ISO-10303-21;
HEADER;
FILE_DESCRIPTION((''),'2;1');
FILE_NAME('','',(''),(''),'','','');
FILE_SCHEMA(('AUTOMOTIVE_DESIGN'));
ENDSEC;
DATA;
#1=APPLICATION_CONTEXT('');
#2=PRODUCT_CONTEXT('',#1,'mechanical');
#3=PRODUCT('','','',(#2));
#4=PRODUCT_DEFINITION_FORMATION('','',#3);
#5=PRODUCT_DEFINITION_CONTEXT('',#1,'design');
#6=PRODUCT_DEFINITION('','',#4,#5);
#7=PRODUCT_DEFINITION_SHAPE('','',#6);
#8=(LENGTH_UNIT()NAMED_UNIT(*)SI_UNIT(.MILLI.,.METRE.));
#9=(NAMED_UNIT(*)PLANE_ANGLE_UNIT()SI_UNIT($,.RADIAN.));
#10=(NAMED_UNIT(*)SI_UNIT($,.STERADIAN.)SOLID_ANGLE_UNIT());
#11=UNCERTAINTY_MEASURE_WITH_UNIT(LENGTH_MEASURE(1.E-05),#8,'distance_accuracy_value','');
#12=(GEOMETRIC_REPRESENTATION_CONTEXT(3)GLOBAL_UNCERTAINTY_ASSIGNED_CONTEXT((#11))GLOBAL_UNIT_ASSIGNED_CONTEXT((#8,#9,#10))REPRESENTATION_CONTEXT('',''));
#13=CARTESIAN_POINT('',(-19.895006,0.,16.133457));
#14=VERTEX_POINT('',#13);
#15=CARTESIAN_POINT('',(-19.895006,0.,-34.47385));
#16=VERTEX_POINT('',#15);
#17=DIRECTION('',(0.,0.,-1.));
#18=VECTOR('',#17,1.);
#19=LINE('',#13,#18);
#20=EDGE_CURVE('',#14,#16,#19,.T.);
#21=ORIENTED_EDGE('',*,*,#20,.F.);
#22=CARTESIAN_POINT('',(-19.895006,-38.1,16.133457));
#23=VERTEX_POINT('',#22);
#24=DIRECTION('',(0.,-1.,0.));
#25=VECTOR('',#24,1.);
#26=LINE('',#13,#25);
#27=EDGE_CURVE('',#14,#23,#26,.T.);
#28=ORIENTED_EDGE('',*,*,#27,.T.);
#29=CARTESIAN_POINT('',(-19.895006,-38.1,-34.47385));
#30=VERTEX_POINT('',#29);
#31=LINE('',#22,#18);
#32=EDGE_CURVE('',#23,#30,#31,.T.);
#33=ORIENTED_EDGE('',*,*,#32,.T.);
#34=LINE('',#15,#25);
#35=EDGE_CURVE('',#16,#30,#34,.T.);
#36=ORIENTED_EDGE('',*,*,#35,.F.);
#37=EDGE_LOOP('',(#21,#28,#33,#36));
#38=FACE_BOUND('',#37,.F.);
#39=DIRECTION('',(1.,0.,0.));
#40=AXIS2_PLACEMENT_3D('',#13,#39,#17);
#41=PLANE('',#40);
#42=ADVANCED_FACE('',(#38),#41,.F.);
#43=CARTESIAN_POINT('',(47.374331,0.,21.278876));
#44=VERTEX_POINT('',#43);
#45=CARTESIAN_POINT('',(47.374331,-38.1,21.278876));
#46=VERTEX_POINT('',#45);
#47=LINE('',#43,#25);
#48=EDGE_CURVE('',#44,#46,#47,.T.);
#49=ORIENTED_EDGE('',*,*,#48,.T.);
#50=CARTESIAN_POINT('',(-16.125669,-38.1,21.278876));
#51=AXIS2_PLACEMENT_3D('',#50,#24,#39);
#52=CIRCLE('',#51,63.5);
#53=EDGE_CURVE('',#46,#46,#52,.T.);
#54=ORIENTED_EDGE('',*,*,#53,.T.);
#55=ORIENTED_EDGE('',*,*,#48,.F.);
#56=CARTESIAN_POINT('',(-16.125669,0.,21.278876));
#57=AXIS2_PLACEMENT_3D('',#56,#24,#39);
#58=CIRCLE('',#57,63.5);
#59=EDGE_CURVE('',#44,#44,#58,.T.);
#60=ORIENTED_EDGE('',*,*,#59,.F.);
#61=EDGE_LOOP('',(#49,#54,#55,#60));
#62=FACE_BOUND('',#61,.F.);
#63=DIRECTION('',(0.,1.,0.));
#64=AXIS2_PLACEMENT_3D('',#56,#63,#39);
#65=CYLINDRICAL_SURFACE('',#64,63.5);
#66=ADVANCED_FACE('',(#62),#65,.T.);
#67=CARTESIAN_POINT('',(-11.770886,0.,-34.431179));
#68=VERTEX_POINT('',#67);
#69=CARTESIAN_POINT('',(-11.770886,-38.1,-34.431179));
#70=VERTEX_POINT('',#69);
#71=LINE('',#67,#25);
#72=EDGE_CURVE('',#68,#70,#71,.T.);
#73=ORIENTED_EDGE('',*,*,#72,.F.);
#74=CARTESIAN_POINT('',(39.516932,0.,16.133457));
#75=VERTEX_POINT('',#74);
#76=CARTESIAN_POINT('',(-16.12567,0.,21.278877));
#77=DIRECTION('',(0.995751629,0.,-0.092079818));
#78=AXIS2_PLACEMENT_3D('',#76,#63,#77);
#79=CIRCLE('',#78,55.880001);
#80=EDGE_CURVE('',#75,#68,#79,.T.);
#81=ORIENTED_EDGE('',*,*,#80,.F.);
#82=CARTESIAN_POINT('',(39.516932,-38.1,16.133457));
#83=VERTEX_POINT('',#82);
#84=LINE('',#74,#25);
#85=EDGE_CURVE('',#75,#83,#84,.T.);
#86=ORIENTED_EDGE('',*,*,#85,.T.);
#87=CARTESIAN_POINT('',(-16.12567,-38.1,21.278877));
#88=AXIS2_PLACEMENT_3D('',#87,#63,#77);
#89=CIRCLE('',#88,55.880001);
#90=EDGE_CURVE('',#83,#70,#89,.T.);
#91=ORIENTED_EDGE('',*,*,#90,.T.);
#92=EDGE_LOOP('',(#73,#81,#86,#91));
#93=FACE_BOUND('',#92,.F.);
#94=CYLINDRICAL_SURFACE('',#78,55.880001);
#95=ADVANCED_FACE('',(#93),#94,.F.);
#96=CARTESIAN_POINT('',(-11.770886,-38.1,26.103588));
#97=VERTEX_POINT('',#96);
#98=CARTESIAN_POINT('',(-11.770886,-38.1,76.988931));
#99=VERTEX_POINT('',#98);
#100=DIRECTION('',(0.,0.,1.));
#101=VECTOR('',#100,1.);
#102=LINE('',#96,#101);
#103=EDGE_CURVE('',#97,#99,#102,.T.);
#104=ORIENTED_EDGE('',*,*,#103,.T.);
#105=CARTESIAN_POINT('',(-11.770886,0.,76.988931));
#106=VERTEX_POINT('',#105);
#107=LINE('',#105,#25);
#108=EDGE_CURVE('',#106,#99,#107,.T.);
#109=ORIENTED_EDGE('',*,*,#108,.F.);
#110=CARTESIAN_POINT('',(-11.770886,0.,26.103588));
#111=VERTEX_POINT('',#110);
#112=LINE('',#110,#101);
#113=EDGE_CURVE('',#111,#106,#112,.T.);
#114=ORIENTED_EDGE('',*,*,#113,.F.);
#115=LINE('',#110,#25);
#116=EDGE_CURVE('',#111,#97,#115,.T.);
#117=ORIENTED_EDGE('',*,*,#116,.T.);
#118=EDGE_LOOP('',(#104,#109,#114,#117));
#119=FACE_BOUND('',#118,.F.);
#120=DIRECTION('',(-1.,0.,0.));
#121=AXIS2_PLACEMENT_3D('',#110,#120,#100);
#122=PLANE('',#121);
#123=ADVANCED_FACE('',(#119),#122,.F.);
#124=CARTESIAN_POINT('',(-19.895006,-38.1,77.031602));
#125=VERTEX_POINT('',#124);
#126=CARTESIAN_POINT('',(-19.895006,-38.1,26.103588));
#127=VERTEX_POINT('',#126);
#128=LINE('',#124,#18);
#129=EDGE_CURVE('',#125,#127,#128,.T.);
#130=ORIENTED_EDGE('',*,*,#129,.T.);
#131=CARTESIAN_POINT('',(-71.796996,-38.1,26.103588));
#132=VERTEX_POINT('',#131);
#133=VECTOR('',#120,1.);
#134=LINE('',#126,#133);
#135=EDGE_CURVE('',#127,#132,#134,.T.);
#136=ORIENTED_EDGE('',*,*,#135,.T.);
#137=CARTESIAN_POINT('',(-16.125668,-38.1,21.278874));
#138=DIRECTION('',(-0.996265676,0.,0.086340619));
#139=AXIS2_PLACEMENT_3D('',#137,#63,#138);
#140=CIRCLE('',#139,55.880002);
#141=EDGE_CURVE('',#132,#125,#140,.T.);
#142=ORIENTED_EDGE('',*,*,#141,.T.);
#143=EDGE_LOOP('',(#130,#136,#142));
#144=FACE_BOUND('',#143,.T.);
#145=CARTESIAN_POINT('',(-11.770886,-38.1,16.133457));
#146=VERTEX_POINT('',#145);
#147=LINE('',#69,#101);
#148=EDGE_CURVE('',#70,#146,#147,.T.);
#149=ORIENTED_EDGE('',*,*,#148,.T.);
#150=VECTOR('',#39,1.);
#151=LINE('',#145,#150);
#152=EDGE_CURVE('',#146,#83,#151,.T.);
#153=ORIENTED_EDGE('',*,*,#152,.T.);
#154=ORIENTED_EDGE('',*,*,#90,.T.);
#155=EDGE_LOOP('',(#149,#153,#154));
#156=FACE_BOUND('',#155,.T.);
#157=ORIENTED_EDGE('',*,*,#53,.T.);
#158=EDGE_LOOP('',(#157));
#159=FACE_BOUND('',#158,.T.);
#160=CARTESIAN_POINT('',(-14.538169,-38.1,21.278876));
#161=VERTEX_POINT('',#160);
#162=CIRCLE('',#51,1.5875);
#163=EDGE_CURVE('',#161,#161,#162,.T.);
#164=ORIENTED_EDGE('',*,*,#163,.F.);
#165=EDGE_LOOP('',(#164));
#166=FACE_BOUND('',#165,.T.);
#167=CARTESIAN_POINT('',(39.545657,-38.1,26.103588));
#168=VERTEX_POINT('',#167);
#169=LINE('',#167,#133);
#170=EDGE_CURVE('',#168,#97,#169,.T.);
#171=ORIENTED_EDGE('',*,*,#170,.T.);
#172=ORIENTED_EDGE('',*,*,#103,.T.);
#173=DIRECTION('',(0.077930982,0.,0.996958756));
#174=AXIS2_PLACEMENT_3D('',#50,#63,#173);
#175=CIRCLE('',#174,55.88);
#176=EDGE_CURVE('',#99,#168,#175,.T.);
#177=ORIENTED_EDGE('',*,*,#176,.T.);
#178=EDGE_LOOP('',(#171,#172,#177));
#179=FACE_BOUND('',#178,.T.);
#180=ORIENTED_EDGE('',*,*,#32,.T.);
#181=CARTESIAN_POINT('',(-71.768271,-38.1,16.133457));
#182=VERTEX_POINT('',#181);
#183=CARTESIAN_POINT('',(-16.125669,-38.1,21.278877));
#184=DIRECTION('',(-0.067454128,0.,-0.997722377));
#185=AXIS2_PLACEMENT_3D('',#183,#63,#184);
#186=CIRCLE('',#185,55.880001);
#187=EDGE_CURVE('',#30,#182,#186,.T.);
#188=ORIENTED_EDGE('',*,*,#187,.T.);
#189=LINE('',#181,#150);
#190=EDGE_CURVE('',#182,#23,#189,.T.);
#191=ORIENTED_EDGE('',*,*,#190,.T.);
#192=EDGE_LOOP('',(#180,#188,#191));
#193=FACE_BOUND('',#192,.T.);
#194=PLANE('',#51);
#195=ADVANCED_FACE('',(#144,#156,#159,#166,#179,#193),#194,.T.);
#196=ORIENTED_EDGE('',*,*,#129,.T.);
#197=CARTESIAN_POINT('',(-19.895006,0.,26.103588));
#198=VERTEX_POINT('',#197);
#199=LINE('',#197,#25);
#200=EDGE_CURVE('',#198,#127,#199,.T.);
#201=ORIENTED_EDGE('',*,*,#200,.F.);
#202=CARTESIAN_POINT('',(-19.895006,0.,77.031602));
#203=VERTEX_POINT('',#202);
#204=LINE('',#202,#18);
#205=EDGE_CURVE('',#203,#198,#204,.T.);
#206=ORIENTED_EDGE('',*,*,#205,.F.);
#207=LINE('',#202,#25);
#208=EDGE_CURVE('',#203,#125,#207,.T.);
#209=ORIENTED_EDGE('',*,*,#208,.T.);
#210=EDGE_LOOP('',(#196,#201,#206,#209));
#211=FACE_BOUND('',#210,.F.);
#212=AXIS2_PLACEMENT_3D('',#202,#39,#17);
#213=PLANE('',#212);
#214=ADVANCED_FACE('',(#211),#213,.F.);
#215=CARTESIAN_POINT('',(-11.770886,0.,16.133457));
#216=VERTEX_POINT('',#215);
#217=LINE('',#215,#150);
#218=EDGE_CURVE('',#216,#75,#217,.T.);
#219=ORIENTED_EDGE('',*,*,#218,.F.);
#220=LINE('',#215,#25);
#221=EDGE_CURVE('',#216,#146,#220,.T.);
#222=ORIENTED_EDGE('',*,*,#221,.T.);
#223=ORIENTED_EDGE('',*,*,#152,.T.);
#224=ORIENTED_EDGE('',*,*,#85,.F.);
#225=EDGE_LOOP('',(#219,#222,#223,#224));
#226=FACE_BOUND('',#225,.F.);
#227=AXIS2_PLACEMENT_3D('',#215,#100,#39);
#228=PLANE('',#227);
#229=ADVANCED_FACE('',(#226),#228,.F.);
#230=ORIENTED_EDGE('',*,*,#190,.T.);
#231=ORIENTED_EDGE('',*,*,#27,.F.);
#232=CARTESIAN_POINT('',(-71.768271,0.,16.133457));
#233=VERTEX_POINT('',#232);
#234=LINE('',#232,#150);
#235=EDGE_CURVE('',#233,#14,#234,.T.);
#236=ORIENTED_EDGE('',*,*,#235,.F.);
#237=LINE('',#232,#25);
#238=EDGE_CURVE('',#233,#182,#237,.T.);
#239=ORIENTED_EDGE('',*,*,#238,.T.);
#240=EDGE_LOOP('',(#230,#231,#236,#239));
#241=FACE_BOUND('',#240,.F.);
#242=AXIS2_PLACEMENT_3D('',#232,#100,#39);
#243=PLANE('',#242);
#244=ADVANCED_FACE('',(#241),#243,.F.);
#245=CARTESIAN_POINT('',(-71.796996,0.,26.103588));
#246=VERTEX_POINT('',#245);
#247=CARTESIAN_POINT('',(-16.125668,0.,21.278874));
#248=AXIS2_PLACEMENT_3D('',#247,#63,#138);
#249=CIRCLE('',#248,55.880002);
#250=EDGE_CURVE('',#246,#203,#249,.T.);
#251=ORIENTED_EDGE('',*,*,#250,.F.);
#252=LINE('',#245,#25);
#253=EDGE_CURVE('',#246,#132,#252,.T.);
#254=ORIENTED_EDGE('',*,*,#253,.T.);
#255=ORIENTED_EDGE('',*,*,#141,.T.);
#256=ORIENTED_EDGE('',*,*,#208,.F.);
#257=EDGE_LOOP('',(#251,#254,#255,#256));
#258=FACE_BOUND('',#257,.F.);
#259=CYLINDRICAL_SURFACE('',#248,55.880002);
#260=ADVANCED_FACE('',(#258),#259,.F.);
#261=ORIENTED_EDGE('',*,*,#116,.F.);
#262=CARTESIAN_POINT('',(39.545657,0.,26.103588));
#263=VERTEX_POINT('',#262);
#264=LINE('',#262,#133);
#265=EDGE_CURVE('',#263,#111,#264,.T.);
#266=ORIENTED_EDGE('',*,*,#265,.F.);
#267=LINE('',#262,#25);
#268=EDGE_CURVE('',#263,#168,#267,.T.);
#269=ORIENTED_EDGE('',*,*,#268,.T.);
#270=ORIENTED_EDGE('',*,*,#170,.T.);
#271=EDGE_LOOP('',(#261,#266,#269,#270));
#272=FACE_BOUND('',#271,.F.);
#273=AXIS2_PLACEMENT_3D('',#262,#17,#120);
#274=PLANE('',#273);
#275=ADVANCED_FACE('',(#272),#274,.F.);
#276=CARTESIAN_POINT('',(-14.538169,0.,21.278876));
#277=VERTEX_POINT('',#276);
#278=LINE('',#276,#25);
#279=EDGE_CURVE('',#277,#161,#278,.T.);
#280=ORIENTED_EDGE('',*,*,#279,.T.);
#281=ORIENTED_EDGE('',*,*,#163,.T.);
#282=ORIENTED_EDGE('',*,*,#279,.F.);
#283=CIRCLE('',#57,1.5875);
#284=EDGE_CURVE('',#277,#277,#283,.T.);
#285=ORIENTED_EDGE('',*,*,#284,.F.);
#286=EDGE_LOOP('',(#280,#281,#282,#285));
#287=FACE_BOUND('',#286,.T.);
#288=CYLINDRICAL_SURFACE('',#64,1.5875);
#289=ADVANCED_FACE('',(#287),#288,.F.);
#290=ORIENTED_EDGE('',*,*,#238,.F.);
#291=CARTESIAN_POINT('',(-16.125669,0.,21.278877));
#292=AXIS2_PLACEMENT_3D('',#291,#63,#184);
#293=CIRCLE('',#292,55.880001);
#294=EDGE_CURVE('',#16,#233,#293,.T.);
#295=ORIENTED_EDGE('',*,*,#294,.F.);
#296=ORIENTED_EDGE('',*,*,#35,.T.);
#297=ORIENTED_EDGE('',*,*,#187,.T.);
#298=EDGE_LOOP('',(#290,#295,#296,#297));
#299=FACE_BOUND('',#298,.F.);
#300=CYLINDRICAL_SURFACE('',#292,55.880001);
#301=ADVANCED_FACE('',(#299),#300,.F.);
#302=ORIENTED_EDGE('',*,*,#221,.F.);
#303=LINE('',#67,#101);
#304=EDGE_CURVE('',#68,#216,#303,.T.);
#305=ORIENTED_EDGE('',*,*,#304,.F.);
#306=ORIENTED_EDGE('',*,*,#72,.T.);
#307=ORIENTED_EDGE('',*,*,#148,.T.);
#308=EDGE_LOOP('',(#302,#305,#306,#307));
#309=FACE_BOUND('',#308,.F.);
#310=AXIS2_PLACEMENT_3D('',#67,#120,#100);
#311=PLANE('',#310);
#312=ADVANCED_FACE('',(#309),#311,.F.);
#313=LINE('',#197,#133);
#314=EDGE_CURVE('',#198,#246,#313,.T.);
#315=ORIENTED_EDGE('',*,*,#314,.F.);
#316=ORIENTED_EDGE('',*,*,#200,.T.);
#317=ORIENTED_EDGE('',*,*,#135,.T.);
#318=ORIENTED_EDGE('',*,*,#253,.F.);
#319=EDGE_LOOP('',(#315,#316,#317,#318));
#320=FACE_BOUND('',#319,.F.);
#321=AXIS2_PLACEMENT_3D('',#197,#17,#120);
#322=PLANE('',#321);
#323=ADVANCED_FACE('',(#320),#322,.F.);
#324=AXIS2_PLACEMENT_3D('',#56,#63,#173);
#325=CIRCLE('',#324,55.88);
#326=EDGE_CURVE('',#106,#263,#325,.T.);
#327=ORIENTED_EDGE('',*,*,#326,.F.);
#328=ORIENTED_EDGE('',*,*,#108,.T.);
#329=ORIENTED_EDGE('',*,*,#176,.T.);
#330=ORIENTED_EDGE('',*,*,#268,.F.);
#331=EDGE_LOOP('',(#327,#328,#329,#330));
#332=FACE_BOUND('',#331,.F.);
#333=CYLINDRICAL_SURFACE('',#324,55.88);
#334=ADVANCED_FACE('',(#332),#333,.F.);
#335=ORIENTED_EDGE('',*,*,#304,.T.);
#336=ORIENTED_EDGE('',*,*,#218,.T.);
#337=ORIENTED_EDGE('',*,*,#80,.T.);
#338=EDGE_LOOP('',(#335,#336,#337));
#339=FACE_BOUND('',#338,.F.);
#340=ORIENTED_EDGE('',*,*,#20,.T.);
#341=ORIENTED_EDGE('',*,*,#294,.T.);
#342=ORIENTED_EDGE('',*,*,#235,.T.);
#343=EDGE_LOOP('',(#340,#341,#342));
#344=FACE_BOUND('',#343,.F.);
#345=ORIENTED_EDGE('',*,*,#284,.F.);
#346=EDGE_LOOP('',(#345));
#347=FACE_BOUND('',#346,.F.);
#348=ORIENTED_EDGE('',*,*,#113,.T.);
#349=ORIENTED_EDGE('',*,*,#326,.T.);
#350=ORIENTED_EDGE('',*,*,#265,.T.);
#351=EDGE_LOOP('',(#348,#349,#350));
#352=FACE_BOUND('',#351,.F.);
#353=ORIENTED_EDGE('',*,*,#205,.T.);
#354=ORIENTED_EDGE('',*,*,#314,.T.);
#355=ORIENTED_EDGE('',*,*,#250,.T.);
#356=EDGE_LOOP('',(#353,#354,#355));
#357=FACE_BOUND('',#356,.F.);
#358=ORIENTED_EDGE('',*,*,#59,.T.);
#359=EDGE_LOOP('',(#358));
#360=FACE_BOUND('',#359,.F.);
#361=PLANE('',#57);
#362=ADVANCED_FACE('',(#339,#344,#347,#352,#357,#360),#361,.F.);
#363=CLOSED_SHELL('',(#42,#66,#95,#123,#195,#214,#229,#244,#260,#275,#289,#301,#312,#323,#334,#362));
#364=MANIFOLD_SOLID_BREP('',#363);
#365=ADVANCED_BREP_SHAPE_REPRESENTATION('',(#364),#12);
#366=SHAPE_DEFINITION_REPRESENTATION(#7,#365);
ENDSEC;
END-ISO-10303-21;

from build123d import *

# Parameters (mm, degrees)
F0_R     = 63.5
F0_R_2   = 1.5875
F1_DEPTH = 38.1


with BuildPart() as f1:
    # F0 (on Front) → F1 (new body)
    with BuildSketch(Plane.XZ):
        with Locations((-16.125669, 21.278876)):
            Circle(F0_R)
        with BuildLine():
            ThreePointArc((-19.895006, -34.47385), (-55.147708, -18.71931), (-71.768271, 16.133457))
            Line((-71.768271, 16.133457), (-19.895006, 16.133457))
            Line((-19.895006, 16.133457), (-19.895006, -34.47385))
        make_face(mode=Mode.SUBTRACT)
        with BuildLine():
            Line((-11.770886, -34.431179), (-11.770886, 16.133457))
            Line((-11.770886, 16.133457), (39.516932, 16.133457))
            ThreePointArc((39.516932, 16.133457), (23.105914, -18.513802), (-11.770886, -34.431179))
        make_face(mode=Mode.SUBTRACT)
        with BuildLine():
            ThreePointArc((-71.796996, 26.103588), (-55.262784, 61.16447), (-19.895006, 77.031602))
            Line((-19.895006, 77.031602), (-19.895006, 26.103588))
            Line((-19.895006, 26.103588), (-71.796996, 26.103588))
        make_face(mode=Mode.SUBTRACT)
        with Locations((-16.125669, 21.278876)):
            Circle(F0_R_2, mode=Mode.SUBTRACT)
        with BuildLine():
            Line((-11.770886, 26.103588), (-11.770886, 76.988931))
            ThreePointArc((-11.770886, 76.988931), (23.220398, 60.958359), (39.545657, 26.103588))
            Line((39.545657, 26.103588), (-11.770886, 26.103588))
        make_face(mode=Mode.SUBTRACT)
    extrude(amount=F1_DEPTH)


solid = f1.part
